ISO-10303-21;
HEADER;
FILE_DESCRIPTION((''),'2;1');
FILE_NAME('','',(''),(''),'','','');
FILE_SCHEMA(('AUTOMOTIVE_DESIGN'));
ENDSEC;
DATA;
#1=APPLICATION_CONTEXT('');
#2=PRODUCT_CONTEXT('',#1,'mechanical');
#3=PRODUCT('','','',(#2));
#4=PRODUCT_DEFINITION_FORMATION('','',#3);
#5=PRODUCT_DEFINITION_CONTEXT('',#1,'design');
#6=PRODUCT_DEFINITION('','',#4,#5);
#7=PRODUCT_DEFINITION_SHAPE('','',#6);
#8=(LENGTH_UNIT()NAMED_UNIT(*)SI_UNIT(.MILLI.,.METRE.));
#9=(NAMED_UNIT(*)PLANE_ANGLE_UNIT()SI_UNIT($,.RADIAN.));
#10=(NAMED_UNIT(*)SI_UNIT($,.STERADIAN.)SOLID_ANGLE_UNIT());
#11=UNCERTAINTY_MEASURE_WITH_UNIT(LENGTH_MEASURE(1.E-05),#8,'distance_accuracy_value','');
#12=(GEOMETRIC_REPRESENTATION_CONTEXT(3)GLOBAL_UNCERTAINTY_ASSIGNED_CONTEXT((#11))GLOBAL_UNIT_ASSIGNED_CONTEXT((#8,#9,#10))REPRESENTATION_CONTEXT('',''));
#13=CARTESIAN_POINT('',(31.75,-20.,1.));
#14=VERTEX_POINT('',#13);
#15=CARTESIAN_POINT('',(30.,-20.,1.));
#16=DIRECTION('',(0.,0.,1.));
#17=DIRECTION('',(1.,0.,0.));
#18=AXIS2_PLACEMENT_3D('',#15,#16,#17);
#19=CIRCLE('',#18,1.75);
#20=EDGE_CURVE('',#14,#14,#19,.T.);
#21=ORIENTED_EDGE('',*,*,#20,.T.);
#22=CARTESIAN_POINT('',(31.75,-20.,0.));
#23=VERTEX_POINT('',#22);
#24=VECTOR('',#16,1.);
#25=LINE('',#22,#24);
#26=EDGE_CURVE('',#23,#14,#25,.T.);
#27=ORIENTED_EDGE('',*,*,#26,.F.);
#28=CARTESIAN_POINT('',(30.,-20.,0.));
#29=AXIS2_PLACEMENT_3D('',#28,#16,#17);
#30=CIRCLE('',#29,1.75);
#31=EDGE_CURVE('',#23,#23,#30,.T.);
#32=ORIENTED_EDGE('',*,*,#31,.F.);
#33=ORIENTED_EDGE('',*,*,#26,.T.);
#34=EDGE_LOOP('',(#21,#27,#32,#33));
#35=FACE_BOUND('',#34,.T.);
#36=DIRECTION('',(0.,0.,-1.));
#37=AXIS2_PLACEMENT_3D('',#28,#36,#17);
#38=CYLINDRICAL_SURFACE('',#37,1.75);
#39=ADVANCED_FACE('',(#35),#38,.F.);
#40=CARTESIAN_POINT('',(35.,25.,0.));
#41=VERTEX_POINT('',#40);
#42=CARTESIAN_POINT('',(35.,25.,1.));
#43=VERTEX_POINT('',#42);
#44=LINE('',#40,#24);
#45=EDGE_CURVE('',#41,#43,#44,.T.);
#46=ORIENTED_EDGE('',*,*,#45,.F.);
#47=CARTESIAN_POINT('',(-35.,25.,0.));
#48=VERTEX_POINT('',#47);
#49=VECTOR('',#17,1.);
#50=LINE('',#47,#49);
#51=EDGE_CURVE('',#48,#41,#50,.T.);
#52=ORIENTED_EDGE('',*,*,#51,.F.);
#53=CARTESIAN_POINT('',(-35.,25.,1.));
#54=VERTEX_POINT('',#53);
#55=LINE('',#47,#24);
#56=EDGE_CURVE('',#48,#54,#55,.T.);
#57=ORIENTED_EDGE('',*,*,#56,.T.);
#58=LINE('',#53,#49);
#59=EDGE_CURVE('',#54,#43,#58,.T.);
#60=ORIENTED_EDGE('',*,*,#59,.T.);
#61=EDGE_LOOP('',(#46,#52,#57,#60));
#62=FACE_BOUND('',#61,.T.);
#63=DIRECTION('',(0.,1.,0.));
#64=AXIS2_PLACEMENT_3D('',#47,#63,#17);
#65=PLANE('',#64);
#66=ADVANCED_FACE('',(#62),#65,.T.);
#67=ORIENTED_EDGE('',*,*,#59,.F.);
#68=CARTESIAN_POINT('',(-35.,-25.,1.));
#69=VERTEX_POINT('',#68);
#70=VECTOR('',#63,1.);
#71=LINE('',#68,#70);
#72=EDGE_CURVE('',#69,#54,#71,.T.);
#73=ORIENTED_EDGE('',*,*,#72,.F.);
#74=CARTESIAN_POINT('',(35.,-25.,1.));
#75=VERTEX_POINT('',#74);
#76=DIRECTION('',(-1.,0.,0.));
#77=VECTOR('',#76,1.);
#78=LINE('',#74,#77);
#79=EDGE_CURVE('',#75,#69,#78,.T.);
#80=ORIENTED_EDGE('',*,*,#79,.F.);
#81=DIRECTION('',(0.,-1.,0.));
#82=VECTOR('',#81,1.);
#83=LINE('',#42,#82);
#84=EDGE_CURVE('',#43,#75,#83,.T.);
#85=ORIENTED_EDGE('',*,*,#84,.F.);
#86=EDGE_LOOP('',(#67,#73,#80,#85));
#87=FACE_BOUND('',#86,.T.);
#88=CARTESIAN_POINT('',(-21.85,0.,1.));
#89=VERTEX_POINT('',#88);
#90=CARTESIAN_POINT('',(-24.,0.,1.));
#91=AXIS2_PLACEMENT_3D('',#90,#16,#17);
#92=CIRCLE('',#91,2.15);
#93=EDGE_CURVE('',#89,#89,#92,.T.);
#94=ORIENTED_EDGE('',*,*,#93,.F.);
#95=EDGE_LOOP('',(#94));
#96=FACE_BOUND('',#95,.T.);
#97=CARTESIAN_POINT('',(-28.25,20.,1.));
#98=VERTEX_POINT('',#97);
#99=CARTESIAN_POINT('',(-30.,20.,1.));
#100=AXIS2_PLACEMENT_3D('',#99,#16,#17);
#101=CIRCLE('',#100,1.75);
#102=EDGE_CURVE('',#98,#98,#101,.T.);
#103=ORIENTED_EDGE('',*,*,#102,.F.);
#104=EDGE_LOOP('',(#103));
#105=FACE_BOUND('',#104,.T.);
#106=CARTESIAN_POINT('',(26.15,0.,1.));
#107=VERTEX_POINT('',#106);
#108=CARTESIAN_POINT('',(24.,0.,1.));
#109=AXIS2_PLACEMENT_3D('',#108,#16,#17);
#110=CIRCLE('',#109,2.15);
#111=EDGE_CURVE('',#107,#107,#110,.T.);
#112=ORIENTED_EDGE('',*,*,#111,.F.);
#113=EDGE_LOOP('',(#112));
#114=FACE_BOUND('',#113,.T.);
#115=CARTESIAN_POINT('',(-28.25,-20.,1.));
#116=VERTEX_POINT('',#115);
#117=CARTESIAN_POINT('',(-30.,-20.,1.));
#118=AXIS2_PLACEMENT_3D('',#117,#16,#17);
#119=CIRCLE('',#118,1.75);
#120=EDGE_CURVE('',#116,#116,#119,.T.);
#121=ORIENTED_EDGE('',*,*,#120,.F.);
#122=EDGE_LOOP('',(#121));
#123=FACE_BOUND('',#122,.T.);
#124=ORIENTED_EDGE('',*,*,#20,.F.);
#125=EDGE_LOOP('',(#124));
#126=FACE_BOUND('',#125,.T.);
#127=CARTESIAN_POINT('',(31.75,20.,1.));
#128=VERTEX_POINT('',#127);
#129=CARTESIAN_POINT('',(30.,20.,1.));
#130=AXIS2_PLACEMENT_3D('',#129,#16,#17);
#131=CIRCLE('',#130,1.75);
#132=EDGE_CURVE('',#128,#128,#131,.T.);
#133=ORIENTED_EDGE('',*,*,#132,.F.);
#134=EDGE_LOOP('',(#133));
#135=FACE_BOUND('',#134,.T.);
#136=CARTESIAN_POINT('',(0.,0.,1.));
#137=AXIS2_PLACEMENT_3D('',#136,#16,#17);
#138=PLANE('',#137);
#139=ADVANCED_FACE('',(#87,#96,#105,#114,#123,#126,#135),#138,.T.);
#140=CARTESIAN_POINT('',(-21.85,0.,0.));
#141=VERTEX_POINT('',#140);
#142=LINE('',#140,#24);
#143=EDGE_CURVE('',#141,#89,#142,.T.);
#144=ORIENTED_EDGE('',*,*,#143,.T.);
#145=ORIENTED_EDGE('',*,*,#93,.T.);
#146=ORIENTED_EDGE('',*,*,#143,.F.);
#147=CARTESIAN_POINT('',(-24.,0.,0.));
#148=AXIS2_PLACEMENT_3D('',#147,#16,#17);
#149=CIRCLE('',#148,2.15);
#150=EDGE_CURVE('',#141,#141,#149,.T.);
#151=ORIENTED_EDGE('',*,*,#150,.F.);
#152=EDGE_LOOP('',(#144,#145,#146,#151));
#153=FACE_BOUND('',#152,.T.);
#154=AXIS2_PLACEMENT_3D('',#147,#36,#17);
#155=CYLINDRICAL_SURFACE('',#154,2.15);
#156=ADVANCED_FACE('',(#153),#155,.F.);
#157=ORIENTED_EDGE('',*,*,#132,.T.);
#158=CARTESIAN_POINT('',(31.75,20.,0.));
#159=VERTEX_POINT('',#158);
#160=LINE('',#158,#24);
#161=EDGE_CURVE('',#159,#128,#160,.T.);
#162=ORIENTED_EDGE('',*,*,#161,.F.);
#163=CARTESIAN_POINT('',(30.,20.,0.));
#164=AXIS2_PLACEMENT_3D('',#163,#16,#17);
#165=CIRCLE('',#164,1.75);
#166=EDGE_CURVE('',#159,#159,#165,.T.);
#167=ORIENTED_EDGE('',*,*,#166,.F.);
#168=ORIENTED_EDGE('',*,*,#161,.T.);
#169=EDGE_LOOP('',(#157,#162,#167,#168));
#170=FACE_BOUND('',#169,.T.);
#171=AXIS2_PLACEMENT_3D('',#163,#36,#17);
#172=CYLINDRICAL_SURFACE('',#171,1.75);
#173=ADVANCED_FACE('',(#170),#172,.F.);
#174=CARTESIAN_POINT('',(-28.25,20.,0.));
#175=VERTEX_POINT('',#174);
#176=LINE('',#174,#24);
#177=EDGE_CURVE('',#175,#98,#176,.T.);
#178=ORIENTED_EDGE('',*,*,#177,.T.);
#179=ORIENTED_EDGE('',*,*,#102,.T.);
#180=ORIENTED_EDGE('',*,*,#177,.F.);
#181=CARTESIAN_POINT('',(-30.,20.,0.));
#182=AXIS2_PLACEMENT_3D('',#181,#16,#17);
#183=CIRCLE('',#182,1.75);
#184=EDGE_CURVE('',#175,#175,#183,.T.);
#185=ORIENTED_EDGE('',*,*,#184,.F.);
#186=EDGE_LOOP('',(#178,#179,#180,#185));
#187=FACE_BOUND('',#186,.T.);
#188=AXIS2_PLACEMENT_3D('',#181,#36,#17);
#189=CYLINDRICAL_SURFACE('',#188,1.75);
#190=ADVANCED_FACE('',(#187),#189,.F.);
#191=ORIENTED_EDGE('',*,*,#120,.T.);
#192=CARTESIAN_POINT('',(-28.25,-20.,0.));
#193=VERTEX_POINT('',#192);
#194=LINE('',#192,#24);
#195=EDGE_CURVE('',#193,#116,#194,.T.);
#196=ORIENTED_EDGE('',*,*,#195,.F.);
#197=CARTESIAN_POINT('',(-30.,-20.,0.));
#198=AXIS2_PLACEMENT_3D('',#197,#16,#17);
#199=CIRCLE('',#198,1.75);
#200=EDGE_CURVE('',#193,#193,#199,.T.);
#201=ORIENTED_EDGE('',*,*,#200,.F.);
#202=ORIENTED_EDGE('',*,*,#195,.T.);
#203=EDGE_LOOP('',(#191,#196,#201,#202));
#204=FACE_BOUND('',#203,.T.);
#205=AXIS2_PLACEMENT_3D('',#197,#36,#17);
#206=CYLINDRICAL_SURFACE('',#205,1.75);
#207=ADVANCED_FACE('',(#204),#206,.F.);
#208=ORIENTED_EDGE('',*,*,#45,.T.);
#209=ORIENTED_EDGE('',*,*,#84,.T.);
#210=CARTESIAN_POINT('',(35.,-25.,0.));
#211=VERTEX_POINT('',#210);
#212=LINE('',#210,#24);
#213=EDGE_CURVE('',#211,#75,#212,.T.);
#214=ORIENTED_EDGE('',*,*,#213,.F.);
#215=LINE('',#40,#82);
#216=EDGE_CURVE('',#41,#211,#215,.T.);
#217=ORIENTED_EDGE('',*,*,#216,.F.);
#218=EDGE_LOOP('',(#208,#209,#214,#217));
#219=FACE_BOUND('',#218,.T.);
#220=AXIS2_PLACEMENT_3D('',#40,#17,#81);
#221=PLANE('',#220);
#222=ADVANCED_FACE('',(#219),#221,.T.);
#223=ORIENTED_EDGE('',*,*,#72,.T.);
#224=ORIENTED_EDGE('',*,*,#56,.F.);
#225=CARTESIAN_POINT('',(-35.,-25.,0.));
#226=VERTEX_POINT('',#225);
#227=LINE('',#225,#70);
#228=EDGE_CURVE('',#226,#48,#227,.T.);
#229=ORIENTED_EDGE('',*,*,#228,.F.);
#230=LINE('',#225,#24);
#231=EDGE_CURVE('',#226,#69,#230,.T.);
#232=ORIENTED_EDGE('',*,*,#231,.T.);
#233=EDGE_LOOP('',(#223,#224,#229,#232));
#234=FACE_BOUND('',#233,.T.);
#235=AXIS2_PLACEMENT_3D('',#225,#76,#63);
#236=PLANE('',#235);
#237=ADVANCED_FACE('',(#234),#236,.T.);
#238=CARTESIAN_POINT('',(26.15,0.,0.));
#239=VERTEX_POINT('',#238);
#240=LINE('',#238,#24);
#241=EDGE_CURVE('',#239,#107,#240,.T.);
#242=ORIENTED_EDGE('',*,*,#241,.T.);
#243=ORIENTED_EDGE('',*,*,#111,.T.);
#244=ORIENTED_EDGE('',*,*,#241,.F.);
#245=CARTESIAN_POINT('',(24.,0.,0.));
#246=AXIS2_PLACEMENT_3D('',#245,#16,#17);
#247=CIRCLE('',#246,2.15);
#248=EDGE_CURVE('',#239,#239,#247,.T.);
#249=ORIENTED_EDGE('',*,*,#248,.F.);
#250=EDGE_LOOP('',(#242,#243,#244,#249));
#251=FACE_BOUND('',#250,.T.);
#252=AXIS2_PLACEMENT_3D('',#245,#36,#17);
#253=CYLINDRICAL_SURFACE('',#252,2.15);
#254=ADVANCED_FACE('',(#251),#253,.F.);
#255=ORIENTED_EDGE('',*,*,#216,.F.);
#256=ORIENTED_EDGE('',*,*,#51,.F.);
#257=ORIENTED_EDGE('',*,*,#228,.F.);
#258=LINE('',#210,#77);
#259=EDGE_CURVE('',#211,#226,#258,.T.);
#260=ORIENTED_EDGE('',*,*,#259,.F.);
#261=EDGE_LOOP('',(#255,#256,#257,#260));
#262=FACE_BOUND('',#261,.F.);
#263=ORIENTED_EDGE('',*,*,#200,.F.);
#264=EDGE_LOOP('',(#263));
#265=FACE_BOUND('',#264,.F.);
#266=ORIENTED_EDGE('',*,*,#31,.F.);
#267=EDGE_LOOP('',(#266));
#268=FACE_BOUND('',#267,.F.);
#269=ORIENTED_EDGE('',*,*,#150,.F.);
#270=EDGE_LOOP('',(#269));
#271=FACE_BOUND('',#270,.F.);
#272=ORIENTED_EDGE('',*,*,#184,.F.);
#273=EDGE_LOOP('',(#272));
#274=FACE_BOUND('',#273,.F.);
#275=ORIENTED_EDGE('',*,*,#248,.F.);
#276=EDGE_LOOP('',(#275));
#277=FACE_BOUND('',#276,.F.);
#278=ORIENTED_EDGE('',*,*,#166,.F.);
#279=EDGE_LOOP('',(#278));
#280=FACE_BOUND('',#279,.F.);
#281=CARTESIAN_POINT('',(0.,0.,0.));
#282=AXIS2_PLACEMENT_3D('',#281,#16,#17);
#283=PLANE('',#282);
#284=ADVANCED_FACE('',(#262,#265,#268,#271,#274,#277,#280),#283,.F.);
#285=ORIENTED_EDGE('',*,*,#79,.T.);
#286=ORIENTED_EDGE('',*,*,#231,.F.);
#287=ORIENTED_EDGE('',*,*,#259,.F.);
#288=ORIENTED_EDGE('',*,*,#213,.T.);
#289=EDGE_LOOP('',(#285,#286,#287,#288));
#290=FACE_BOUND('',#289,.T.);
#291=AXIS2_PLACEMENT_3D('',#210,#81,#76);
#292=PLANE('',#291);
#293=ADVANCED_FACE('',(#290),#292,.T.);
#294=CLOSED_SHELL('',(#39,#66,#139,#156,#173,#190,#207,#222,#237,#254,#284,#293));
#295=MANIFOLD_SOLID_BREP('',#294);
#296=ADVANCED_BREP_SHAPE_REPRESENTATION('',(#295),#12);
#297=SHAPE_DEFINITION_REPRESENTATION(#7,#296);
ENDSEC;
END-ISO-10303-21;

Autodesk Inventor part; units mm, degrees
ref_plane "YZ Plane" through (0, 0, 0) normal (1, 0, 0) x (0, 1, 0)
ref_plane "XZ Plane" through (0, 0, 0) normal (0, 1, 0) x (-1, 0, 0)
ref_plane "XY Plane" through (0, 0, 0) normal (0, 0, 1) x (1, 0, 0)
sketch "Sketch1" plane through (0, 0, 0) normal (0, 0, 1) x (1, 0, 0)
  line L0 (-35, 25) -> (35, 25)
  line L1 (35, 25) -> (35, -25)
  line L2 (35, -25) -> (-35, -25)
  line L3 (-35, -25) -> (-35, 25)
  line L4 (-35, 25) -> (35, -25) construction
  line L5 (35, 25) -> (-35, -25) construction
  circle A0 centre (-24, 0) radius 2.15
  circle A1 centre (24, 0) radius 2.15
  circle A2 centre (-30, 20) radius 1.75
  line L6 (0, 13.5327) -> (0, 0) construction
  line L7 (0, 0) -> (11.3828, 0) construction
  circle A3 centre (30, 20) radius 1.75
  circle A4 centre (-30, -20) radius 1.75
  circle A5 centre (30, -20) radius 1.75
  dimension "d0" = 50
  dimension "d1" = 70
  dimension "d2" = 48
  dimension "d3" = 24
  dimension "d4" = 4.3
  dimension "d6" = 3.5
  dimension "d10" = 5
  dimension "d11" = 5
extrude "Plate1" add sketch "Sketch1" along normal blind 1
equation "\"d3\" = 0.5 * d2"
equation "\"d5\" = 厚度"
equation "\"折彎半徑\" = 厚度"
equation "\"折彎離隙寬度\" = 厚度"
equation "\"折彎離隙深度\" = 0.5 * 厚度"
equation "\"轉角離隙大小\" = 4 * 厚度"
equation "\"最小剩餘\" = 2 * 厚度"
equation "\"轉移半徑\" = 折彎半徑"
equation "\"Jacobi半徑大小\" = 折彎半徑"
equation "\"間隙大小\" = 厚度"
equation "\"厚度\" = 1"
properties part number "DCDCconvertor_plate"
